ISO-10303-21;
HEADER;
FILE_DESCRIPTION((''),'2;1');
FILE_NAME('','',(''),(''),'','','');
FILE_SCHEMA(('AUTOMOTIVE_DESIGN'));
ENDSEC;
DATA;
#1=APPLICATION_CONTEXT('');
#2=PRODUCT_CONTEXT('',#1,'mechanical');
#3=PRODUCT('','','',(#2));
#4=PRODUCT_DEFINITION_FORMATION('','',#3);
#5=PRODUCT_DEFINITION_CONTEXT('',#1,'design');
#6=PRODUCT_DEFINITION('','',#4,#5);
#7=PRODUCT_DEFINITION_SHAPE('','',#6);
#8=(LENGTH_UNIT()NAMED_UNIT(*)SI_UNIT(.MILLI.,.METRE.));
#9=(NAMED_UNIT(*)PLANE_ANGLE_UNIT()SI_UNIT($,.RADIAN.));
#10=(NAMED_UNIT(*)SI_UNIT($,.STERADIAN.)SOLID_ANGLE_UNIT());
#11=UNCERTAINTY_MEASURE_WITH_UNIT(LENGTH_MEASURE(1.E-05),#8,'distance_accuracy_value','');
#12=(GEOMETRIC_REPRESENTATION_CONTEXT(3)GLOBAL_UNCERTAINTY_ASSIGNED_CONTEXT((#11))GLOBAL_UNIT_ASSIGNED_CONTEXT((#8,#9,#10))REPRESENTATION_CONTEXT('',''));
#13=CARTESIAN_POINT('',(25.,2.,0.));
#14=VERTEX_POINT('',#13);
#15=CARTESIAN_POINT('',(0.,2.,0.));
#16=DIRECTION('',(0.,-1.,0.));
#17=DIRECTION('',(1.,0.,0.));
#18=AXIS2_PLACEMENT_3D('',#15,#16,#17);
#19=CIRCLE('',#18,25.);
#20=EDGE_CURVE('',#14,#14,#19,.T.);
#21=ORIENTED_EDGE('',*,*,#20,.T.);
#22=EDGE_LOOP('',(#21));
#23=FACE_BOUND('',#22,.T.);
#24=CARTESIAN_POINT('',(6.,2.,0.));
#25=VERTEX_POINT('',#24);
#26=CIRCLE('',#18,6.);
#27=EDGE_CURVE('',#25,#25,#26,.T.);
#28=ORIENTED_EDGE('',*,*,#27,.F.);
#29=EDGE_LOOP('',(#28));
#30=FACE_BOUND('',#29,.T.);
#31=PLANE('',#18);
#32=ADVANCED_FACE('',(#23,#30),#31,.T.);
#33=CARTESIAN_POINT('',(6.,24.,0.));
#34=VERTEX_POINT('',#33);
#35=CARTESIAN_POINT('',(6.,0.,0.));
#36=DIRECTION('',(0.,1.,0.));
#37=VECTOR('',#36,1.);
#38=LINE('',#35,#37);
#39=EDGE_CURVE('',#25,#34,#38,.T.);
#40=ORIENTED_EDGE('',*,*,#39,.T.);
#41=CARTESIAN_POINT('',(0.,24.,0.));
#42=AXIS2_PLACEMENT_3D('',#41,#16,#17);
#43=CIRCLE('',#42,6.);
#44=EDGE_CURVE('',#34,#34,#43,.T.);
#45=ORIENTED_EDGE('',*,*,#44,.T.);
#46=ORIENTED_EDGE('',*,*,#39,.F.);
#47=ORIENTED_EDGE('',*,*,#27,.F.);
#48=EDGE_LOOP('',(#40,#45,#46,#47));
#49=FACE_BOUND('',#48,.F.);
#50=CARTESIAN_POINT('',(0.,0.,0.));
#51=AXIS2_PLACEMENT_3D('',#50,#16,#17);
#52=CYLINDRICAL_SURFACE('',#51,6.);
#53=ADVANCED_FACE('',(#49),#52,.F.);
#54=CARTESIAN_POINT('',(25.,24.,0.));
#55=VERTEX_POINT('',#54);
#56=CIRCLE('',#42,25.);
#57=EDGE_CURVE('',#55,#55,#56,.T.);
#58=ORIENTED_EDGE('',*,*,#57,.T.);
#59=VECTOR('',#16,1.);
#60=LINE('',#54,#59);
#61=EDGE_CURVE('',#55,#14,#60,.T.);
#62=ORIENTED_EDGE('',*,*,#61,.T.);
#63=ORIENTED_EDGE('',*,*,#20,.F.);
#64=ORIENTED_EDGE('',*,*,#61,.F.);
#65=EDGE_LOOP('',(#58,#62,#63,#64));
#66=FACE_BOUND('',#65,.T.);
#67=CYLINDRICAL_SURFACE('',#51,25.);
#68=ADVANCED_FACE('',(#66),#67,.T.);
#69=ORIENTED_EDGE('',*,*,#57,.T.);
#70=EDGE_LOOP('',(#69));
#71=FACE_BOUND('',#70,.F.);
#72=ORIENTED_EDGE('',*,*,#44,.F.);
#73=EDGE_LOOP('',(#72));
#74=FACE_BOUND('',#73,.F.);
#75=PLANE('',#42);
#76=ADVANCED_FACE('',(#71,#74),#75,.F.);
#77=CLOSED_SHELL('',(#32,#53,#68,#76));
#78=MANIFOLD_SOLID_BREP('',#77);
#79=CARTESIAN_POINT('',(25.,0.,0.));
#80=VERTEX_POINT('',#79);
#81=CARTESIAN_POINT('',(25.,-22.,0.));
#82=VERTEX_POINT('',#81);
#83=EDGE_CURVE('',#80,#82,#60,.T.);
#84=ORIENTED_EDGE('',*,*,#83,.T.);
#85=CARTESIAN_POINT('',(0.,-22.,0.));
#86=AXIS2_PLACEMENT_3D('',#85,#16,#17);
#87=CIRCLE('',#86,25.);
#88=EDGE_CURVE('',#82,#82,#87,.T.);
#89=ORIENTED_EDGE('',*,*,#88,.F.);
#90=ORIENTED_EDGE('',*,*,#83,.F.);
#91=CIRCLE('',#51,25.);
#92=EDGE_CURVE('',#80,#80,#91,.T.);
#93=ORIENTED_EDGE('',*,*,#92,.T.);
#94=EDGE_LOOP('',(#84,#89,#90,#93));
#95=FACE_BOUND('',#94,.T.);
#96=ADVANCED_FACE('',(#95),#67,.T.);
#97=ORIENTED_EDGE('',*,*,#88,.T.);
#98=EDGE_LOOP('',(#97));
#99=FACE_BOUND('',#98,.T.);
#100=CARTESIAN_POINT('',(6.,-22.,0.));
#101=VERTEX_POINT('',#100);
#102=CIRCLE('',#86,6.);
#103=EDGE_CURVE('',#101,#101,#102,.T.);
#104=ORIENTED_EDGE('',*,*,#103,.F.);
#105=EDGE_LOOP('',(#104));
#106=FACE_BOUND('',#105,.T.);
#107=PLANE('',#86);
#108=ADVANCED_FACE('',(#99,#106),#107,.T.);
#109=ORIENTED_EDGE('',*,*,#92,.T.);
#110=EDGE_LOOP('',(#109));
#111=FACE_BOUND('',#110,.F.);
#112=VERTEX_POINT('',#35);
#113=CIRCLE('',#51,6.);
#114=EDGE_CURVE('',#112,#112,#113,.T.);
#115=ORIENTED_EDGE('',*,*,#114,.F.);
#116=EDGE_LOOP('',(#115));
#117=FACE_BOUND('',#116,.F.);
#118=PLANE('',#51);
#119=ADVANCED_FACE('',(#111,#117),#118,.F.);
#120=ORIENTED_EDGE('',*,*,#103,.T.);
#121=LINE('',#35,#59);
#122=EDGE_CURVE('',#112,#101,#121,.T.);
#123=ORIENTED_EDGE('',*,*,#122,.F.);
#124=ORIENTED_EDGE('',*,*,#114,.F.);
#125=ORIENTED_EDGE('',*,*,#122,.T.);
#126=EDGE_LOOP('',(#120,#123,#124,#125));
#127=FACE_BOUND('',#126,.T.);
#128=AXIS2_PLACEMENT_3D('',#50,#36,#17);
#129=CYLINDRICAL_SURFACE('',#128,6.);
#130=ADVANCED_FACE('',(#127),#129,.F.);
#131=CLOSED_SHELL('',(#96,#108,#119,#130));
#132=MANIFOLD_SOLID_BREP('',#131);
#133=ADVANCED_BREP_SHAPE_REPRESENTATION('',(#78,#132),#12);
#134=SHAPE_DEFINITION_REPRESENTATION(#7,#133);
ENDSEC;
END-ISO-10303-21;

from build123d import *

# Parameters (mm, degrees)
F0_R          = 25
F0_R_2        = 6
F1_DEPTH      = 22
F1_DEPTH_BACK = 24
F2_DEPTH      = 2


with BuildPart() as f1:
    # F0 (on Front) → F1 (new body, two sides)
    with BuildSketch(Plane.XZ) as f1_sk:
        Circle(F0_R)
        Circle(F0_R_2, mode=Mode.SUBTRACT)
    extrude(amount=F1_DEPTH)
    extrude(f1_sk.sketch, amount=-F1_DEPTH_BACK)

    # F0 (on Front) → F2 (cut)
    with BuildSketch(Plane.XZ):
        Circle(F0_R)
        Circle(F0_R_2, mode=Mode.SUBTRACT)
    extrude(amount=-F2_DEPTH, mode=Mode.SUBTRACT)


solid = f1.part
